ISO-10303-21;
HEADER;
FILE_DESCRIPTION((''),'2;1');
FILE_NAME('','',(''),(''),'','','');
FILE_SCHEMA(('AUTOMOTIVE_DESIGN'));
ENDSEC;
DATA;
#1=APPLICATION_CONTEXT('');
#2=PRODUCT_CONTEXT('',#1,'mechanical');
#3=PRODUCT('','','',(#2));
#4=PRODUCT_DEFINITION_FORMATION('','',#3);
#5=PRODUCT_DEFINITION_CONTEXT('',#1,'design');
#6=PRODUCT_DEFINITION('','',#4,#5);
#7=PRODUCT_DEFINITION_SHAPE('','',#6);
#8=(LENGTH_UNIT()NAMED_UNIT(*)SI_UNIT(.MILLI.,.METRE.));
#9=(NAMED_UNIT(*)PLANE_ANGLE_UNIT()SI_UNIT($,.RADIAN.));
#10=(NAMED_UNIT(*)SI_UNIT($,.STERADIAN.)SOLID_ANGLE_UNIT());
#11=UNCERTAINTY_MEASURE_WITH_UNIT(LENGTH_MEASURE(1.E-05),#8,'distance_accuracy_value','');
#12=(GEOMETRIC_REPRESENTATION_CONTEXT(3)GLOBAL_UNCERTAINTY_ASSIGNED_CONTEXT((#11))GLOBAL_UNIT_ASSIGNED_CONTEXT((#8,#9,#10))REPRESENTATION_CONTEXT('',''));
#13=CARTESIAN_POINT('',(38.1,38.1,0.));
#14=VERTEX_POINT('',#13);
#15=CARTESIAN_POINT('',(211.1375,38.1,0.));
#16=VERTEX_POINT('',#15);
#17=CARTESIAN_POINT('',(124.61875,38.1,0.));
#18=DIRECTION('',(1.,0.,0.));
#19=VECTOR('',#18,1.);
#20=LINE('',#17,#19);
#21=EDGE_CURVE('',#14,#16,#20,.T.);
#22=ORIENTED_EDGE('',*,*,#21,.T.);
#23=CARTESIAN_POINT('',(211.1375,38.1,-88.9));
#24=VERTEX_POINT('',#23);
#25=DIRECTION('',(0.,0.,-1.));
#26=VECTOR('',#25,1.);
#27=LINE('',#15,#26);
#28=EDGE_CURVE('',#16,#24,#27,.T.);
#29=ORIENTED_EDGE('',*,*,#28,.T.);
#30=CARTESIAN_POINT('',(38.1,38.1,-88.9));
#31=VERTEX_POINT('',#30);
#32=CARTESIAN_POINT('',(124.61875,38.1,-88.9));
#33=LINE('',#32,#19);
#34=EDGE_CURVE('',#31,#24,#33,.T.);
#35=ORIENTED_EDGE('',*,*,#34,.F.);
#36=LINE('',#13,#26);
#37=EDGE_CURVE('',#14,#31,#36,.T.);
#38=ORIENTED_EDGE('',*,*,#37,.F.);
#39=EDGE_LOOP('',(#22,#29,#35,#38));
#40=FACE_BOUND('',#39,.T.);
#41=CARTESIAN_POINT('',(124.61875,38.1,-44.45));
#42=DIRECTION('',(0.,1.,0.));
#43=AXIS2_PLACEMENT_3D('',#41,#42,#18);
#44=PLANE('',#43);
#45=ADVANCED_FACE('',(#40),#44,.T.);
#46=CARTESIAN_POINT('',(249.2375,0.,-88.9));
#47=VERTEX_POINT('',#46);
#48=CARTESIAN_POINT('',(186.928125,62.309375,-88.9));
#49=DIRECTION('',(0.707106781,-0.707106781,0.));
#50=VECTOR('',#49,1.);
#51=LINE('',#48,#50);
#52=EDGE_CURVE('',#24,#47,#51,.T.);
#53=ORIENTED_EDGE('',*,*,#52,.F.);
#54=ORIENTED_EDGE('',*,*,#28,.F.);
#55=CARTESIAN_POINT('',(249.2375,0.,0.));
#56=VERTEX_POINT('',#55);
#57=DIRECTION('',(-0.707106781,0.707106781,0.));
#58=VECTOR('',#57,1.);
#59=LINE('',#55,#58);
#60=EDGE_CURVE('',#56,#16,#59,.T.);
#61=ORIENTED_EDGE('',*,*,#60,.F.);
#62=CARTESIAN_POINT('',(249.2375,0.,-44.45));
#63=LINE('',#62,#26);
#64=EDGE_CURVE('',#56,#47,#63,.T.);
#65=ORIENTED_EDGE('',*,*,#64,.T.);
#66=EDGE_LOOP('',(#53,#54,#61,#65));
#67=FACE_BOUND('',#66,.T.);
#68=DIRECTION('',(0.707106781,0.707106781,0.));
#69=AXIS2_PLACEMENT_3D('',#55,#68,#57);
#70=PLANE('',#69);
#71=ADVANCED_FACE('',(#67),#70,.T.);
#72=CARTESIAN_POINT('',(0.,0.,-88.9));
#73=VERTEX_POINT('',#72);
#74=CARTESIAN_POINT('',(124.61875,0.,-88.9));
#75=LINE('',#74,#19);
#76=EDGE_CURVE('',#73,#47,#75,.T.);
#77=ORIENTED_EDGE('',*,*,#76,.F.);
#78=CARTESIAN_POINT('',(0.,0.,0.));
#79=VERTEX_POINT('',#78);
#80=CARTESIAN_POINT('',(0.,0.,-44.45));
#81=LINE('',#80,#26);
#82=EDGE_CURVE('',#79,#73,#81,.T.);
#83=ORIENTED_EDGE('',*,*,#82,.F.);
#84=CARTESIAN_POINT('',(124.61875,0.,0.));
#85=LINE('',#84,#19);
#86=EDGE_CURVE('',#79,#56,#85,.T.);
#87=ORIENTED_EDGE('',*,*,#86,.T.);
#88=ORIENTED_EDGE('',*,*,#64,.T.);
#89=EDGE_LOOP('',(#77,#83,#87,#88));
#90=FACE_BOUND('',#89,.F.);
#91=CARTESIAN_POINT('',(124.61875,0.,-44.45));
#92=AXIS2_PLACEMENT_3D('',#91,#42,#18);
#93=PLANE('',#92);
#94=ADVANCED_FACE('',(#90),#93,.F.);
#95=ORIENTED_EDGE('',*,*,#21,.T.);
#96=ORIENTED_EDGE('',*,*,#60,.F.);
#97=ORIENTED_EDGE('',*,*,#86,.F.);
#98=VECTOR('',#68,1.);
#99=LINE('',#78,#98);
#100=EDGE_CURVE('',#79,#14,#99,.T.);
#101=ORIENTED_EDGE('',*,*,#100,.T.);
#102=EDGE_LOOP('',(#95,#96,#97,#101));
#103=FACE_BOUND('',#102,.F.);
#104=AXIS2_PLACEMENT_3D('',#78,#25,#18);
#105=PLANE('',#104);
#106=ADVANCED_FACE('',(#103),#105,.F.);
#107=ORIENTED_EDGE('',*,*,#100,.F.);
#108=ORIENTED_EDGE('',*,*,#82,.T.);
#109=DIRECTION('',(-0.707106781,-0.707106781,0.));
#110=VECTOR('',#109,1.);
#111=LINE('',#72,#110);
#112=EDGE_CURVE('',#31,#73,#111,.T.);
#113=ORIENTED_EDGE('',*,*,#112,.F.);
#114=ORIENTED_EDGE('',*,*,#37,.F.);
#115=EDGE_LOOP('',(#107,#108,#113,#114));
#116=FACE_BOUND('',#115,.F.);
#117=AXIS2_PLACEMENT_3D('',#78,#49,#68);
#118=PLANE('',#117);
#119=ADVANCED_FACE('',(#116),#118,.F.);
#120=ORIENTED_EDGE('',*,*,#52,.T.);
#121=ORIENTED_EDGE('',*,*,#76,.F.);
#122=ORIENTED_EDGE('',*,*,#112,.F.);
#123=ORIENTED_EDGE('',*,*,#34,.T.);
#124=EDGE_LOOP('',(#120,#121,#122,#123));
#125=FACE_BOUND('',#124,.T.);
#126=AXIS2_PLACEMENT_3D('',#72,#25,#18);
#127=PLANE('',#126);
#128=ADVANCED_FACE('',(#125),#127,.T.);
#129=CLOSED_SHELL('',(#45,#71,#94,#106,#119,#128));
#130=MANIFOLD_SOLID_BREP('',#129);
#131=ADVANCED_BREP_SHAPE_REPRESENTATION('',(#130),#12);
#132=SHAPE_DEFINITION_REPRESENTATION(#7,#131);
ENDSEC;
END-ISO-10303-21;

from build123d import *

# Parameters (mm, degrees)
SKETCH1_W           = 249.2375
SKETCH1_H           = 88.9
BOSS_EXTRUDE1_DEPTH = 38.1
CUT_EXTRUDE1_DEPTH  = 89.9


with BuildPart() as part:
    # Sketch1 → Boss-Extrude1 (new body)
    with BuildSketch(Plane(origin=(0, 0, 0), x_dir=(1, 0, 0), z_dir=(0, 1, 0))):
        with Locations((124.61875, 44.45)):
            Rectangle(SKETCH1_W, SKETCH1_H)
    extrude(amount=BOSS_EXTRUDE1_DEPTH)

    # Sketch2 → Cut-Extrude1 (cut, through all)
    with BuildSketch(Plane.XY):
        Polygon((0, 0), (38.1, 38.1), (0, 38.1), align=None)
        Polygon((249.2375, 0), (211.1375, 38.1), (249.2375, 38.1), align=None)
    extrude(amount=-CUT_EXTRUDE1_DEPTH, mode=Mode.SUBTRACT)


solid = part.part
